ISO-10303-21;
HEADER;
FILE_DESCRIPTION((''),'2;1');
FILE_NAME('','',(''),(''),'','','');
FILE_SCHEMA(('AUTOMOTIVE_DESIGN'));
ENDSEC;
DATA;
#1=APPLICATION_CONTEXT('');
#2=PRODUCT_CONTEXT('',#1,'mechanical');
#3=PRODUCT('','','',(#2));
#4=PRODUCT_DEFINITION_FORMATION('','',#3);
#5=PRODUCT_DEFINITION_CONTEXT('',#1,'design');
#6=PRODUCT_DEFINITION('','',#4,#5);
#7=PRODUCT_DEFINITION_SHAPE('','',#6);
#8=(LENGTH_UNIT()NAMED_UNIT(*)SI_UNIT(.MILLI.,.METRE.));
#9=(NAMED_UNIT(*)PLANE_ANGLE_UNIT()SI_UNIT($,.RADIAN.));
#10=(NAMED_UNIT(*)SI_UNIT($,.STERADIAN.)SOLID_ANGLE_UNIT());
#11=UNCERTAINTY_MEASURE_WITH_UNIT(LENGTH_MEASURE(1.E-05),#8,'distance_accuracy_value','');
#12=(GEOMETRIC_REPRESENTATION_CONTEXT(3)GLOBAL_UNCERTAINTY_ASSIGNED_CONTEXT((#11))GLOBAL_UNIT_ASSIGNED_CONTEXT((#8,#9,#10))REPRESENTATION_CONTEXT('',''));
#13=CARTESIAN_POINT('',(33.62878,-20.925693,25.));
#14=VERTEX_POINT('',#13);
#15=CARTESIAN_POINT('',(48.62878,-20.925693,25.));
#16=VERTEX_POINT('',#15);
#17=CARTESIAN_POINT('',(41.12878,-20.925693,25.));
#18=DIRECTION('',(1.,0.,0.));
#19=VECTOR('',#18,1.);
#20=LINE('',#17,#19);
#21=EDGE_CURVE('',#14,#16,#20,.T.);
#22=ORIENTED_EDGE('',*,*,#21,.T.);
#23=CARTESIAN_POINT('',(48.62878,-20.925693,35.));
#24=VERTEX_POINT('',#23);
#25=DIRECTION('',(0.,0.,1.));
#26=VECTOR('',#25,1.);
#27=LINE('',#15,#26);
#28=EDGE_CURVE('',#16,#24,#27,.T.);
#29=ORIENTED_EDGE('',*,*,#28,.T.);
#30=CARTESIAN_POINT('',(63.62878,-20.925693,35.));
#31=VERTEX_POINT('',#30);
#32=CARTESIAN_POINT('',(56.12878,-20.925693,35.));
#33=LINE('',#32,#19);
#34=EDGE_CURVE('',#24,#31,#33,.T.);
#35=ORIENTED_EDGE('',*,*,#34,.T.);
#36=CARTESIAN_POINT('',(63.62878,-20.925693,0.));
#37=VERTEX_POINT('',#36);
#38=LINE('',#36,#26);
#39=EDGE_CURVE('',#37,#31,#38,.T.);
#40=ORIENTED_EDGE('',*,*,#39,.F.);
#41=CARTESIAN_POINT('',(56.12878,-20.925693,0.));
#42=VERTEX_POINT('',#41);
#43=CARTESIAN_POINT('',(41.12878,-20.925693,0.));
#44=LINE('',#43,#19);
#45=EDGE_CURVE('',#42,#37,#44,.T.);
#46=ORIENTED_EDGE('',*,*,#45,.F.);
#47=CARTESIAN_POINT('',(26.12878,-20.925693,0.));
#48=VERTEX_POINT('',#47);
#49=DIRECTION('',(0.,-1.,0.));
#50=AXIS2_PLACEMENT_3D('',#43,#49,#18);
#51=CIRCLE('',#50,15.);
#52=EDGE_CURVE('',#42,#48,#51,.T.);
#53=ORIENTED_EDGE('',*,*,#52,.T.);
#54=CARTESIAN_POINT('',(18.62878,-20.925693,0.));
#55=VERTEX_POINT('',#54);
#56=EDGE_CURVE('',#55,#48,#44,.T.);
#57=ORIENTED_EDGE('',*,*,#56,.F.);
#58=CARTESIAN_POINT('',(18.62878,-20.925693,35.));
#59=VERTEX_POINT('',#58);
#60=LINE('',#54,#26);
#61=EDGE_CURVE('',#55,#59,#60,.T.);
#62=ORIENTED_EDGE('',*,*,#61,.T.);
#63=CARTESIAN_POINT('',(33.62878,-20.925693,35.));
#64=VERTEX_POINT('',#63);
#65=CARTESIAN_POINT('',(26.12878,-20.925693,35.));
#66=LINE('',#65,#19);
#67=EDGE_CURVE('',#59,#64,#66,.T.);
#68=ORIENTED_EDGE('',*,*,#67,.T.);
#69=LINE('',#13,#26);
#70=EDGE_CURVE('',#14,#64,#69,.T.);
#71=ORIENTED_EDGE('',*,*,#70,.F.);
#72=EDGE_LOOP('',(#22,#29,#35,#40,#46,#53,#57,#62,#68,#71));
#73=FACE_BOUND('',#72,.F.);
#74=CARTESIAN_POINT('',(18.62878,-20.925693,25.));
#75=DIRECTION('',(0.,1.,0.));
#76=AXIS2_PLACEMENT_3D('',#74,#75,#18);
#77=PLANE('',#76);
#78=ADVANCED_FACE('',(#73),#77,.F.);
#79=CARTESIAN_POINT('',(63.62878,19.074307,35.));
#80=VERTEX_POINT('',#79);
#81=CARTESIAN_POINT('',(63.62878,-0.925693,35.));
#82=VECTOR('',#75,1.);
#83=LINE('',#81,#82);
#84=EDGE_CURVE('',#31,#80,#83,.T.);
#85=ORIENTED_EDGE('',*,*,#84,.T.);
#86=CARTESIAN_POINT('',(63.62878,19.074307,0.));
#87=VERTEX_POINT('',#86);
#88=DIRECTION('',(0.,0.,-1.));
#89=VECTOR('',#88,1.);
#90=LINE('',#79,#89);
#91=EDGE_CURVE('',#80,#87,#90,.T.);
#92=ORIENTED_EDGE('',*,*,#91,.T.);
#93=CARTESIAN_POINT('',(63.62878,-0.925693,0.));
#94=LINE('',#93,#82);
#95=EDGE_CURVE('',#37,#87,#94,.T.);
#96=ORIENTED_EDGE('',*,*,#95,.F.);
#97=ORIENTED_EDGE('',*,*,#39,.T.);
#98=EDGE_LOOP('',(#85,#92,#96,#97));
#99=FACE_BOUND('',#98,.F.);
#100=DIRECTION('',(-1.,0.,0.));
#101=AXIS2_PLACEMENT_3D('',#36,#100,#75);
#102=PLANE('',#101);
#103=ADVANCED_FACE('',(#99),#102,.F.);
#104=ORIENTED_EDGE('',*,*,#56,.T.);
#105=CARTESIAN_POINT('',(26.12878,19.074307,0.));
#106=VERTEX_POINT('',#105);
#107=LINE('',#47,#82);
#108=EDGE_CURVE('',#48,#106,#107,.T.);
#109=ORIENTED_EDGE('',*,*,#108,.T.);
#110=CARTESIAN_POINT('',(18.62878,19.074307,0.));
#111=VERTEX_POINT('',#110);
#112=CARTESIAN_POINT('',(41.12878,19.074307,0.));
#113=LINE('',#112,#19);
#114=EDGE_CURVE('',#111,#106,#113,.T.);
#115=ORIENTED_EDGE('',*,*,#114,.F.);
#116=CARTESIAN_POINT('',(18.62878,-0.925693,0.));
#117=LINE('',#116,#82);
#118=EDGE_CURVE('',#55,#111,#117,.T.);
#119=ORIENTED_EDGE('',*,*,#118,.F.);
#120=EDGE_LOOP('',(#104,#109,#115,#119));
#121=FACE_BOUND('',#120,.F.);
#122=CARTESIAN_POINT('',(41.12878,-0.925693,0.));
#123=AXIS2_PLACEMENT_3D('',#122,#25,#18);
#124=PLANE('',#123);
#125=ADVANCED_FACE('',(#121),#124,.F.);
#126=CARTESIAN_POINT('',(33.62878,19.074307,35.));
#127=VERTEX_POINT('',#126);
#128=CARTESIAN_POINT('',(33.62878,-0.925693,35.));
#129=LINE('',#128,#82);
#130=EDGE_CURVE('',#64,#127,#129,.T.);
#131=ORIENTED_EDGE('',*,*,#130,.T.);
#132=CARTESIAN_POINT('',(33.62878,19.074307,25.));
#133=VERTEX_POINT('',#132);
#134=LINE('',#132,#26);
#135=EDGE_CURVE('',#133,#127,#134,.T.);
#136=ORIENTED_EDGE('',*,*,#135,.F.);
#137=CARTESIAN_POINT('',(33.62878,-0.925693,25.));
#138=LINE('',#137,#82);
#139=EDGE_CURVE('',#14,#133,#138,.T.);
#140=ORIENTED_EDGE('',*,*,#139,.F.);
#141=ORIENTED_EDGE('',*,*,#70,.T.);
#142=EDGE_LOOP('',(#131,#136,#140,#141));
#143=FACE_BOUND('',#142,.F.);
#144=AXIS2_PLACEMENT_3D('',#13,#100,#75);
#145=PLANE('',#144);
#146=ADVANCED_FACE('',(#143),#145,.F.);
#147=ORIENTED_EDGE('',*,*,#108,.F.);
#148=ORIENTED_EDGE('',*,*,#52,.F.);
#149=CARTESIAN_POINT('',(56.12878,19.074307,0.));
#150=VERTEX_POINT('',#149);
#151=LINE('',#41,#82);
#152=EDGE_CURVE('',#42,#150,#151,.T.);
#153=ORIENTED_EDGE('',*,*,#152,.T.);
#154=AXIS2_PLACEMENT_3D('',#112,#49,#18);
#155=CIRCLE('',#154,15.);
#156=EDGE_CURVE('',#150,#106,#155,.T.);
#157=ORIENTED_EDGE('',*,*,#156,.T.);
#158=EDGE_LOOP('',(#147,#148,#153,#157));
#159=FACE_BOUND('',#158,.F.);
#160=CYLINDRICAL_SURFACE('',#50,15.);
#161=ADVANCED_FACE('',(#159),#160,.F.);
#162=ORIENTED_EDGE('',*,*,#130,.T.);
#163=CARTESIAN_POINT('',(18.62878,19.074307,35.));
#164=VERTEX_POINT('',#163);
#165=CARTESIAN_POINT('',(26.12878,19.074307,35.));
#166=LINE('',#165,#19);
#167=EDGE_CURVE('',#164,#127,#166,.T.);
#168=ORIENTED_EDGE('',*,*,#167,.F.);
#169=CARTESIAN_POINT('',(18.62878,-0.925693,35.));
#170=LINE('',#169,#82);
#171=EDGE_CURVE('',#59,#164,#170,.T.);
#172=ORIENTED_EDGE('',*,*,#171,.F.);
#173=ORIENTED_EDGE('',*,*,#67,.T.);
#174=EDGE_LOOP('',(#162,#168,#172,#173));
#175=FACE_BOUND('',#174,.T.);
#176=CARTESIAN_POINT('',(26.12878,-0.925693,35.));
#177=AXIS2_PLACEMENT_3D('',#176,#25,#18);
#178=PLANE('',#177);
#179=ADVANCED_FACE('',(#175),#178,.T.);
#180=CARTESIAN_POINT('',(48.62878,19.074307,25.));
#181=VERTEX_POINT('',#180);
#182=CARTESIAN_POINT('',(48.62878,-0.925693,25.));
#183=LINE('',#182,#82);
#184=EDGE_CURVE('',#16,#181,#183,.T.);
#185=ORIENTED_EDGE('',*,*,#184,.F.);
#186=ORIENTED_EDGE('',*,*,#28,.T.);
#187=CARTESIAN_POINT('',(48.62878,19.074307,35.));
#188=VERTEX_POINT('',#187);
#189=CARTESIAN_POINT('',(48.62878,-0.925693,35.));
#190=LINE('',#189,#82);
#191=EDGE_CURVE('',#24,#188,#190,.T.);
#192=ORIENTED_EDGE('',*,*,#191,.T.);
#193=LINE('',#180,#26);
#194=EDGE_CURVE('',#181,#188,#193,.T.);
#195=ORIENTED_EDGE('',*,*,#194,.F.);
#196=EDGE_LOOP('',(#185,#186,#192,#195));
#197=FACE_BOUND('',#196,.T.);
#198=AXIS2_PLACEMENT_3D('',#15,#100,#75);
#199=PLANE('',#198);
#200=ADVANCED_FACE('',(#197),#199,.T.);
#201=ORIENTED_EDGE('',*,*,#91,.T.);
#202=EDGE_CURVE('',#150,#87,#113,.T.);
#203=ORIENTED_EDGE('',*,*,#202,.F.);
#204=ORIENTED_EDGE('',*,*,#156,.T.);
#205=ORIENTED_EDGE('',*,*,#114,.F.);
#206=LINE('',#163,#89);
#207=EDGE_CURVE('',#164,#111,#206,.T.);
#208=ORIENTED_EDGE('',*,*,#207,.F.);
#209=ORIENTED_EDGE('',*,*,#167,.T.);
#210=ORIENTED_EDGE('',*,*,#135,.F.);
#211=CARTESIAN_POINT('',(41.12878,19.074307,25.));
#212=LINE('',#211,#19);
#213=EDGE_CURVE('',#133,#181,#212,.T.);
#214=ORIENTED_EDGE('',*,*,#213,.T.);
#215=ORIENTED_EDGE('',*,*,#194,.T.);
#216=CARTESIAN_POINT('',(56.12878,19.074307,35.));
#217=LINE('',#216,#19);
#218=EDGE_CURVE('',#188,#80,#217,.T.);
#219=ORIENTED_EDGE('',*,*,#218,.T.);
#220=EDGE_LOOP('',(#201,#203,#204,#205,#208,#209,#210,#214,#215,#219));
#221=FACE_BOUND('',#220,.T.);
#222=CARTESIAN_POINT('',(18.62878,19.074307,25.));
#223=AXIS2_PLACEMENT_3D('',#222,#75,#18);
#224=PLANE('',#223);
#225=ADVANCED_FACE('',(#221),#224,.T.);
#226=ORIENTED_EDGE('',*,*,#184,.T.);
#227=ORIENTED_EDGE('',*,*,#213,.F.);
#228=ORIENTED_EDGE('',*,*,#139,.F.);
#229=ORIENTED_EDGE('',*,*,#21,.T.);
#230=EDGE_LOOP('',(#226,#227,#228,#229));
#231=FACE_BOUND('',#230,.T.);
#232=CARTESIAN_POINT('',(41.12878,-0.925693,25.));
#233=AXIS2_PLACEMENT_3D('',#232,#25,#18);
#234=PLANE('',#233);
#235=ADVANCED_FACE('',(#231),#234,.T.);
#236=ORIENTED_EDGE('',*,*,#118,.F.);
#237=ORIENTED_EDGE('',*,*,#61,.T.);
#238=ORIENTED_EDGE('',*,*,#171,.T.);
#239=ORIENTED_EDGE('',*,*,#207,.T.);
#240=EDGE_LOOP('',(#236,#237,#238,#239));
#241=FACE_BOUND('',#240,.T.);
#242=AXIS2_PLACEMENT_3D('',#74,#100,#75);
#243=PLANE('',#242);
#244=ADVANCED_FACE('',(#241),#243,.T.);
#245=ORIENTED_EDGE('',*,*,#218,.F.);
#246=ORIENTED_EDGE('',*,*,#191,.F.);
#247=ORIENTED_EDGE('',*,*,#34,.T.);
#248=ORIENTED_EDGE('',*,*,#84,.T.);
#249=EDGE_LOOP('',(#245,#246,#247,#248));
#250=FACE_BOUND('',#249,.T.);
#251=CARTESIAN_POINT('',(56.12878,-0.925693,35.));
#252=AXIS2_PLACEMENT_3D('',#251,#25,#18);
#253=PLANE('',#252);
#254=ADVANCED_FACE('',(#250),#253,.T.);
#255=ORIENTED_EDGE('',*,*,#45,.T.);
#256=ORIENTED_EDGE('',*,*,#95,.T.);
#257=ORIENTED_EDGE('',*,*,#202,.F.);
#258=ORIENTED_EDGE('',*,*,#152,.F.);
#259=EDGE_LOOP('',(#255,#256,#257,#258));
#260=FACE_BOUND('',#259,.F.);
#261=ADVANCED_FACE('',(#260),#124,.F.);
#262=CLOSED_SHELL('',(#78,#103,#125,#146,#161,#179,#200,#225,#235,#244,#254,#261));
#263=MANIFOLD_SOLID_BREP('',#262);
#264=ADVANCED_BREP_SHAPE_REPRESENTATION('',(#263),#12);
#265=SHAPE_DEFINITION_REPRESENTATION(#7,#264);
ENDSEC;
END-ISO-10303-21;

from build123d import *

# Parameters (mm, degrees)
F0_W     = 45
F0_H     = 40
F1_DEPTH = 25
F2_W     = 15
F2_H     = 40
F3_DEPTH = 10
F5_DEPTH = 40.001


with BuildPart() as f1:
    # F0 (on Top) → F1 (new body)
    with BuildSketch(Plane.XY):
        with Locations((41.12878, -0.925693)):
            Rectangle(F0_W, F0_H)
    extrude(amount=F1_DEPTH)

    # F2 (on face) → F3 (join)
    with BuildSketch(Plane.XY.offset(25)):
        with Locations((26.12878, -0.925693)):
            Rectangle(F2_W, F2_H)
        with Locations((56.12878, -0.925693)):
            Rectangle(F2_W, F2_H)
    extrude(amount=F3_DEPTH)

    # F4 (on face) → F5 (cut, through all)
    with BuildSketch(Plane.XZ.offset(20.925693)):
        with BuildLine():
            Line((26.12878, 0), (56.12878, 0))
            ThreePointArc((56.12878, 0), (41.12878, 15), (26.12878, 0))
        make_face()
    extrude(amount=-F5_DEPTH, mode=Mode.SUBTRACT)


solid = f1.part
